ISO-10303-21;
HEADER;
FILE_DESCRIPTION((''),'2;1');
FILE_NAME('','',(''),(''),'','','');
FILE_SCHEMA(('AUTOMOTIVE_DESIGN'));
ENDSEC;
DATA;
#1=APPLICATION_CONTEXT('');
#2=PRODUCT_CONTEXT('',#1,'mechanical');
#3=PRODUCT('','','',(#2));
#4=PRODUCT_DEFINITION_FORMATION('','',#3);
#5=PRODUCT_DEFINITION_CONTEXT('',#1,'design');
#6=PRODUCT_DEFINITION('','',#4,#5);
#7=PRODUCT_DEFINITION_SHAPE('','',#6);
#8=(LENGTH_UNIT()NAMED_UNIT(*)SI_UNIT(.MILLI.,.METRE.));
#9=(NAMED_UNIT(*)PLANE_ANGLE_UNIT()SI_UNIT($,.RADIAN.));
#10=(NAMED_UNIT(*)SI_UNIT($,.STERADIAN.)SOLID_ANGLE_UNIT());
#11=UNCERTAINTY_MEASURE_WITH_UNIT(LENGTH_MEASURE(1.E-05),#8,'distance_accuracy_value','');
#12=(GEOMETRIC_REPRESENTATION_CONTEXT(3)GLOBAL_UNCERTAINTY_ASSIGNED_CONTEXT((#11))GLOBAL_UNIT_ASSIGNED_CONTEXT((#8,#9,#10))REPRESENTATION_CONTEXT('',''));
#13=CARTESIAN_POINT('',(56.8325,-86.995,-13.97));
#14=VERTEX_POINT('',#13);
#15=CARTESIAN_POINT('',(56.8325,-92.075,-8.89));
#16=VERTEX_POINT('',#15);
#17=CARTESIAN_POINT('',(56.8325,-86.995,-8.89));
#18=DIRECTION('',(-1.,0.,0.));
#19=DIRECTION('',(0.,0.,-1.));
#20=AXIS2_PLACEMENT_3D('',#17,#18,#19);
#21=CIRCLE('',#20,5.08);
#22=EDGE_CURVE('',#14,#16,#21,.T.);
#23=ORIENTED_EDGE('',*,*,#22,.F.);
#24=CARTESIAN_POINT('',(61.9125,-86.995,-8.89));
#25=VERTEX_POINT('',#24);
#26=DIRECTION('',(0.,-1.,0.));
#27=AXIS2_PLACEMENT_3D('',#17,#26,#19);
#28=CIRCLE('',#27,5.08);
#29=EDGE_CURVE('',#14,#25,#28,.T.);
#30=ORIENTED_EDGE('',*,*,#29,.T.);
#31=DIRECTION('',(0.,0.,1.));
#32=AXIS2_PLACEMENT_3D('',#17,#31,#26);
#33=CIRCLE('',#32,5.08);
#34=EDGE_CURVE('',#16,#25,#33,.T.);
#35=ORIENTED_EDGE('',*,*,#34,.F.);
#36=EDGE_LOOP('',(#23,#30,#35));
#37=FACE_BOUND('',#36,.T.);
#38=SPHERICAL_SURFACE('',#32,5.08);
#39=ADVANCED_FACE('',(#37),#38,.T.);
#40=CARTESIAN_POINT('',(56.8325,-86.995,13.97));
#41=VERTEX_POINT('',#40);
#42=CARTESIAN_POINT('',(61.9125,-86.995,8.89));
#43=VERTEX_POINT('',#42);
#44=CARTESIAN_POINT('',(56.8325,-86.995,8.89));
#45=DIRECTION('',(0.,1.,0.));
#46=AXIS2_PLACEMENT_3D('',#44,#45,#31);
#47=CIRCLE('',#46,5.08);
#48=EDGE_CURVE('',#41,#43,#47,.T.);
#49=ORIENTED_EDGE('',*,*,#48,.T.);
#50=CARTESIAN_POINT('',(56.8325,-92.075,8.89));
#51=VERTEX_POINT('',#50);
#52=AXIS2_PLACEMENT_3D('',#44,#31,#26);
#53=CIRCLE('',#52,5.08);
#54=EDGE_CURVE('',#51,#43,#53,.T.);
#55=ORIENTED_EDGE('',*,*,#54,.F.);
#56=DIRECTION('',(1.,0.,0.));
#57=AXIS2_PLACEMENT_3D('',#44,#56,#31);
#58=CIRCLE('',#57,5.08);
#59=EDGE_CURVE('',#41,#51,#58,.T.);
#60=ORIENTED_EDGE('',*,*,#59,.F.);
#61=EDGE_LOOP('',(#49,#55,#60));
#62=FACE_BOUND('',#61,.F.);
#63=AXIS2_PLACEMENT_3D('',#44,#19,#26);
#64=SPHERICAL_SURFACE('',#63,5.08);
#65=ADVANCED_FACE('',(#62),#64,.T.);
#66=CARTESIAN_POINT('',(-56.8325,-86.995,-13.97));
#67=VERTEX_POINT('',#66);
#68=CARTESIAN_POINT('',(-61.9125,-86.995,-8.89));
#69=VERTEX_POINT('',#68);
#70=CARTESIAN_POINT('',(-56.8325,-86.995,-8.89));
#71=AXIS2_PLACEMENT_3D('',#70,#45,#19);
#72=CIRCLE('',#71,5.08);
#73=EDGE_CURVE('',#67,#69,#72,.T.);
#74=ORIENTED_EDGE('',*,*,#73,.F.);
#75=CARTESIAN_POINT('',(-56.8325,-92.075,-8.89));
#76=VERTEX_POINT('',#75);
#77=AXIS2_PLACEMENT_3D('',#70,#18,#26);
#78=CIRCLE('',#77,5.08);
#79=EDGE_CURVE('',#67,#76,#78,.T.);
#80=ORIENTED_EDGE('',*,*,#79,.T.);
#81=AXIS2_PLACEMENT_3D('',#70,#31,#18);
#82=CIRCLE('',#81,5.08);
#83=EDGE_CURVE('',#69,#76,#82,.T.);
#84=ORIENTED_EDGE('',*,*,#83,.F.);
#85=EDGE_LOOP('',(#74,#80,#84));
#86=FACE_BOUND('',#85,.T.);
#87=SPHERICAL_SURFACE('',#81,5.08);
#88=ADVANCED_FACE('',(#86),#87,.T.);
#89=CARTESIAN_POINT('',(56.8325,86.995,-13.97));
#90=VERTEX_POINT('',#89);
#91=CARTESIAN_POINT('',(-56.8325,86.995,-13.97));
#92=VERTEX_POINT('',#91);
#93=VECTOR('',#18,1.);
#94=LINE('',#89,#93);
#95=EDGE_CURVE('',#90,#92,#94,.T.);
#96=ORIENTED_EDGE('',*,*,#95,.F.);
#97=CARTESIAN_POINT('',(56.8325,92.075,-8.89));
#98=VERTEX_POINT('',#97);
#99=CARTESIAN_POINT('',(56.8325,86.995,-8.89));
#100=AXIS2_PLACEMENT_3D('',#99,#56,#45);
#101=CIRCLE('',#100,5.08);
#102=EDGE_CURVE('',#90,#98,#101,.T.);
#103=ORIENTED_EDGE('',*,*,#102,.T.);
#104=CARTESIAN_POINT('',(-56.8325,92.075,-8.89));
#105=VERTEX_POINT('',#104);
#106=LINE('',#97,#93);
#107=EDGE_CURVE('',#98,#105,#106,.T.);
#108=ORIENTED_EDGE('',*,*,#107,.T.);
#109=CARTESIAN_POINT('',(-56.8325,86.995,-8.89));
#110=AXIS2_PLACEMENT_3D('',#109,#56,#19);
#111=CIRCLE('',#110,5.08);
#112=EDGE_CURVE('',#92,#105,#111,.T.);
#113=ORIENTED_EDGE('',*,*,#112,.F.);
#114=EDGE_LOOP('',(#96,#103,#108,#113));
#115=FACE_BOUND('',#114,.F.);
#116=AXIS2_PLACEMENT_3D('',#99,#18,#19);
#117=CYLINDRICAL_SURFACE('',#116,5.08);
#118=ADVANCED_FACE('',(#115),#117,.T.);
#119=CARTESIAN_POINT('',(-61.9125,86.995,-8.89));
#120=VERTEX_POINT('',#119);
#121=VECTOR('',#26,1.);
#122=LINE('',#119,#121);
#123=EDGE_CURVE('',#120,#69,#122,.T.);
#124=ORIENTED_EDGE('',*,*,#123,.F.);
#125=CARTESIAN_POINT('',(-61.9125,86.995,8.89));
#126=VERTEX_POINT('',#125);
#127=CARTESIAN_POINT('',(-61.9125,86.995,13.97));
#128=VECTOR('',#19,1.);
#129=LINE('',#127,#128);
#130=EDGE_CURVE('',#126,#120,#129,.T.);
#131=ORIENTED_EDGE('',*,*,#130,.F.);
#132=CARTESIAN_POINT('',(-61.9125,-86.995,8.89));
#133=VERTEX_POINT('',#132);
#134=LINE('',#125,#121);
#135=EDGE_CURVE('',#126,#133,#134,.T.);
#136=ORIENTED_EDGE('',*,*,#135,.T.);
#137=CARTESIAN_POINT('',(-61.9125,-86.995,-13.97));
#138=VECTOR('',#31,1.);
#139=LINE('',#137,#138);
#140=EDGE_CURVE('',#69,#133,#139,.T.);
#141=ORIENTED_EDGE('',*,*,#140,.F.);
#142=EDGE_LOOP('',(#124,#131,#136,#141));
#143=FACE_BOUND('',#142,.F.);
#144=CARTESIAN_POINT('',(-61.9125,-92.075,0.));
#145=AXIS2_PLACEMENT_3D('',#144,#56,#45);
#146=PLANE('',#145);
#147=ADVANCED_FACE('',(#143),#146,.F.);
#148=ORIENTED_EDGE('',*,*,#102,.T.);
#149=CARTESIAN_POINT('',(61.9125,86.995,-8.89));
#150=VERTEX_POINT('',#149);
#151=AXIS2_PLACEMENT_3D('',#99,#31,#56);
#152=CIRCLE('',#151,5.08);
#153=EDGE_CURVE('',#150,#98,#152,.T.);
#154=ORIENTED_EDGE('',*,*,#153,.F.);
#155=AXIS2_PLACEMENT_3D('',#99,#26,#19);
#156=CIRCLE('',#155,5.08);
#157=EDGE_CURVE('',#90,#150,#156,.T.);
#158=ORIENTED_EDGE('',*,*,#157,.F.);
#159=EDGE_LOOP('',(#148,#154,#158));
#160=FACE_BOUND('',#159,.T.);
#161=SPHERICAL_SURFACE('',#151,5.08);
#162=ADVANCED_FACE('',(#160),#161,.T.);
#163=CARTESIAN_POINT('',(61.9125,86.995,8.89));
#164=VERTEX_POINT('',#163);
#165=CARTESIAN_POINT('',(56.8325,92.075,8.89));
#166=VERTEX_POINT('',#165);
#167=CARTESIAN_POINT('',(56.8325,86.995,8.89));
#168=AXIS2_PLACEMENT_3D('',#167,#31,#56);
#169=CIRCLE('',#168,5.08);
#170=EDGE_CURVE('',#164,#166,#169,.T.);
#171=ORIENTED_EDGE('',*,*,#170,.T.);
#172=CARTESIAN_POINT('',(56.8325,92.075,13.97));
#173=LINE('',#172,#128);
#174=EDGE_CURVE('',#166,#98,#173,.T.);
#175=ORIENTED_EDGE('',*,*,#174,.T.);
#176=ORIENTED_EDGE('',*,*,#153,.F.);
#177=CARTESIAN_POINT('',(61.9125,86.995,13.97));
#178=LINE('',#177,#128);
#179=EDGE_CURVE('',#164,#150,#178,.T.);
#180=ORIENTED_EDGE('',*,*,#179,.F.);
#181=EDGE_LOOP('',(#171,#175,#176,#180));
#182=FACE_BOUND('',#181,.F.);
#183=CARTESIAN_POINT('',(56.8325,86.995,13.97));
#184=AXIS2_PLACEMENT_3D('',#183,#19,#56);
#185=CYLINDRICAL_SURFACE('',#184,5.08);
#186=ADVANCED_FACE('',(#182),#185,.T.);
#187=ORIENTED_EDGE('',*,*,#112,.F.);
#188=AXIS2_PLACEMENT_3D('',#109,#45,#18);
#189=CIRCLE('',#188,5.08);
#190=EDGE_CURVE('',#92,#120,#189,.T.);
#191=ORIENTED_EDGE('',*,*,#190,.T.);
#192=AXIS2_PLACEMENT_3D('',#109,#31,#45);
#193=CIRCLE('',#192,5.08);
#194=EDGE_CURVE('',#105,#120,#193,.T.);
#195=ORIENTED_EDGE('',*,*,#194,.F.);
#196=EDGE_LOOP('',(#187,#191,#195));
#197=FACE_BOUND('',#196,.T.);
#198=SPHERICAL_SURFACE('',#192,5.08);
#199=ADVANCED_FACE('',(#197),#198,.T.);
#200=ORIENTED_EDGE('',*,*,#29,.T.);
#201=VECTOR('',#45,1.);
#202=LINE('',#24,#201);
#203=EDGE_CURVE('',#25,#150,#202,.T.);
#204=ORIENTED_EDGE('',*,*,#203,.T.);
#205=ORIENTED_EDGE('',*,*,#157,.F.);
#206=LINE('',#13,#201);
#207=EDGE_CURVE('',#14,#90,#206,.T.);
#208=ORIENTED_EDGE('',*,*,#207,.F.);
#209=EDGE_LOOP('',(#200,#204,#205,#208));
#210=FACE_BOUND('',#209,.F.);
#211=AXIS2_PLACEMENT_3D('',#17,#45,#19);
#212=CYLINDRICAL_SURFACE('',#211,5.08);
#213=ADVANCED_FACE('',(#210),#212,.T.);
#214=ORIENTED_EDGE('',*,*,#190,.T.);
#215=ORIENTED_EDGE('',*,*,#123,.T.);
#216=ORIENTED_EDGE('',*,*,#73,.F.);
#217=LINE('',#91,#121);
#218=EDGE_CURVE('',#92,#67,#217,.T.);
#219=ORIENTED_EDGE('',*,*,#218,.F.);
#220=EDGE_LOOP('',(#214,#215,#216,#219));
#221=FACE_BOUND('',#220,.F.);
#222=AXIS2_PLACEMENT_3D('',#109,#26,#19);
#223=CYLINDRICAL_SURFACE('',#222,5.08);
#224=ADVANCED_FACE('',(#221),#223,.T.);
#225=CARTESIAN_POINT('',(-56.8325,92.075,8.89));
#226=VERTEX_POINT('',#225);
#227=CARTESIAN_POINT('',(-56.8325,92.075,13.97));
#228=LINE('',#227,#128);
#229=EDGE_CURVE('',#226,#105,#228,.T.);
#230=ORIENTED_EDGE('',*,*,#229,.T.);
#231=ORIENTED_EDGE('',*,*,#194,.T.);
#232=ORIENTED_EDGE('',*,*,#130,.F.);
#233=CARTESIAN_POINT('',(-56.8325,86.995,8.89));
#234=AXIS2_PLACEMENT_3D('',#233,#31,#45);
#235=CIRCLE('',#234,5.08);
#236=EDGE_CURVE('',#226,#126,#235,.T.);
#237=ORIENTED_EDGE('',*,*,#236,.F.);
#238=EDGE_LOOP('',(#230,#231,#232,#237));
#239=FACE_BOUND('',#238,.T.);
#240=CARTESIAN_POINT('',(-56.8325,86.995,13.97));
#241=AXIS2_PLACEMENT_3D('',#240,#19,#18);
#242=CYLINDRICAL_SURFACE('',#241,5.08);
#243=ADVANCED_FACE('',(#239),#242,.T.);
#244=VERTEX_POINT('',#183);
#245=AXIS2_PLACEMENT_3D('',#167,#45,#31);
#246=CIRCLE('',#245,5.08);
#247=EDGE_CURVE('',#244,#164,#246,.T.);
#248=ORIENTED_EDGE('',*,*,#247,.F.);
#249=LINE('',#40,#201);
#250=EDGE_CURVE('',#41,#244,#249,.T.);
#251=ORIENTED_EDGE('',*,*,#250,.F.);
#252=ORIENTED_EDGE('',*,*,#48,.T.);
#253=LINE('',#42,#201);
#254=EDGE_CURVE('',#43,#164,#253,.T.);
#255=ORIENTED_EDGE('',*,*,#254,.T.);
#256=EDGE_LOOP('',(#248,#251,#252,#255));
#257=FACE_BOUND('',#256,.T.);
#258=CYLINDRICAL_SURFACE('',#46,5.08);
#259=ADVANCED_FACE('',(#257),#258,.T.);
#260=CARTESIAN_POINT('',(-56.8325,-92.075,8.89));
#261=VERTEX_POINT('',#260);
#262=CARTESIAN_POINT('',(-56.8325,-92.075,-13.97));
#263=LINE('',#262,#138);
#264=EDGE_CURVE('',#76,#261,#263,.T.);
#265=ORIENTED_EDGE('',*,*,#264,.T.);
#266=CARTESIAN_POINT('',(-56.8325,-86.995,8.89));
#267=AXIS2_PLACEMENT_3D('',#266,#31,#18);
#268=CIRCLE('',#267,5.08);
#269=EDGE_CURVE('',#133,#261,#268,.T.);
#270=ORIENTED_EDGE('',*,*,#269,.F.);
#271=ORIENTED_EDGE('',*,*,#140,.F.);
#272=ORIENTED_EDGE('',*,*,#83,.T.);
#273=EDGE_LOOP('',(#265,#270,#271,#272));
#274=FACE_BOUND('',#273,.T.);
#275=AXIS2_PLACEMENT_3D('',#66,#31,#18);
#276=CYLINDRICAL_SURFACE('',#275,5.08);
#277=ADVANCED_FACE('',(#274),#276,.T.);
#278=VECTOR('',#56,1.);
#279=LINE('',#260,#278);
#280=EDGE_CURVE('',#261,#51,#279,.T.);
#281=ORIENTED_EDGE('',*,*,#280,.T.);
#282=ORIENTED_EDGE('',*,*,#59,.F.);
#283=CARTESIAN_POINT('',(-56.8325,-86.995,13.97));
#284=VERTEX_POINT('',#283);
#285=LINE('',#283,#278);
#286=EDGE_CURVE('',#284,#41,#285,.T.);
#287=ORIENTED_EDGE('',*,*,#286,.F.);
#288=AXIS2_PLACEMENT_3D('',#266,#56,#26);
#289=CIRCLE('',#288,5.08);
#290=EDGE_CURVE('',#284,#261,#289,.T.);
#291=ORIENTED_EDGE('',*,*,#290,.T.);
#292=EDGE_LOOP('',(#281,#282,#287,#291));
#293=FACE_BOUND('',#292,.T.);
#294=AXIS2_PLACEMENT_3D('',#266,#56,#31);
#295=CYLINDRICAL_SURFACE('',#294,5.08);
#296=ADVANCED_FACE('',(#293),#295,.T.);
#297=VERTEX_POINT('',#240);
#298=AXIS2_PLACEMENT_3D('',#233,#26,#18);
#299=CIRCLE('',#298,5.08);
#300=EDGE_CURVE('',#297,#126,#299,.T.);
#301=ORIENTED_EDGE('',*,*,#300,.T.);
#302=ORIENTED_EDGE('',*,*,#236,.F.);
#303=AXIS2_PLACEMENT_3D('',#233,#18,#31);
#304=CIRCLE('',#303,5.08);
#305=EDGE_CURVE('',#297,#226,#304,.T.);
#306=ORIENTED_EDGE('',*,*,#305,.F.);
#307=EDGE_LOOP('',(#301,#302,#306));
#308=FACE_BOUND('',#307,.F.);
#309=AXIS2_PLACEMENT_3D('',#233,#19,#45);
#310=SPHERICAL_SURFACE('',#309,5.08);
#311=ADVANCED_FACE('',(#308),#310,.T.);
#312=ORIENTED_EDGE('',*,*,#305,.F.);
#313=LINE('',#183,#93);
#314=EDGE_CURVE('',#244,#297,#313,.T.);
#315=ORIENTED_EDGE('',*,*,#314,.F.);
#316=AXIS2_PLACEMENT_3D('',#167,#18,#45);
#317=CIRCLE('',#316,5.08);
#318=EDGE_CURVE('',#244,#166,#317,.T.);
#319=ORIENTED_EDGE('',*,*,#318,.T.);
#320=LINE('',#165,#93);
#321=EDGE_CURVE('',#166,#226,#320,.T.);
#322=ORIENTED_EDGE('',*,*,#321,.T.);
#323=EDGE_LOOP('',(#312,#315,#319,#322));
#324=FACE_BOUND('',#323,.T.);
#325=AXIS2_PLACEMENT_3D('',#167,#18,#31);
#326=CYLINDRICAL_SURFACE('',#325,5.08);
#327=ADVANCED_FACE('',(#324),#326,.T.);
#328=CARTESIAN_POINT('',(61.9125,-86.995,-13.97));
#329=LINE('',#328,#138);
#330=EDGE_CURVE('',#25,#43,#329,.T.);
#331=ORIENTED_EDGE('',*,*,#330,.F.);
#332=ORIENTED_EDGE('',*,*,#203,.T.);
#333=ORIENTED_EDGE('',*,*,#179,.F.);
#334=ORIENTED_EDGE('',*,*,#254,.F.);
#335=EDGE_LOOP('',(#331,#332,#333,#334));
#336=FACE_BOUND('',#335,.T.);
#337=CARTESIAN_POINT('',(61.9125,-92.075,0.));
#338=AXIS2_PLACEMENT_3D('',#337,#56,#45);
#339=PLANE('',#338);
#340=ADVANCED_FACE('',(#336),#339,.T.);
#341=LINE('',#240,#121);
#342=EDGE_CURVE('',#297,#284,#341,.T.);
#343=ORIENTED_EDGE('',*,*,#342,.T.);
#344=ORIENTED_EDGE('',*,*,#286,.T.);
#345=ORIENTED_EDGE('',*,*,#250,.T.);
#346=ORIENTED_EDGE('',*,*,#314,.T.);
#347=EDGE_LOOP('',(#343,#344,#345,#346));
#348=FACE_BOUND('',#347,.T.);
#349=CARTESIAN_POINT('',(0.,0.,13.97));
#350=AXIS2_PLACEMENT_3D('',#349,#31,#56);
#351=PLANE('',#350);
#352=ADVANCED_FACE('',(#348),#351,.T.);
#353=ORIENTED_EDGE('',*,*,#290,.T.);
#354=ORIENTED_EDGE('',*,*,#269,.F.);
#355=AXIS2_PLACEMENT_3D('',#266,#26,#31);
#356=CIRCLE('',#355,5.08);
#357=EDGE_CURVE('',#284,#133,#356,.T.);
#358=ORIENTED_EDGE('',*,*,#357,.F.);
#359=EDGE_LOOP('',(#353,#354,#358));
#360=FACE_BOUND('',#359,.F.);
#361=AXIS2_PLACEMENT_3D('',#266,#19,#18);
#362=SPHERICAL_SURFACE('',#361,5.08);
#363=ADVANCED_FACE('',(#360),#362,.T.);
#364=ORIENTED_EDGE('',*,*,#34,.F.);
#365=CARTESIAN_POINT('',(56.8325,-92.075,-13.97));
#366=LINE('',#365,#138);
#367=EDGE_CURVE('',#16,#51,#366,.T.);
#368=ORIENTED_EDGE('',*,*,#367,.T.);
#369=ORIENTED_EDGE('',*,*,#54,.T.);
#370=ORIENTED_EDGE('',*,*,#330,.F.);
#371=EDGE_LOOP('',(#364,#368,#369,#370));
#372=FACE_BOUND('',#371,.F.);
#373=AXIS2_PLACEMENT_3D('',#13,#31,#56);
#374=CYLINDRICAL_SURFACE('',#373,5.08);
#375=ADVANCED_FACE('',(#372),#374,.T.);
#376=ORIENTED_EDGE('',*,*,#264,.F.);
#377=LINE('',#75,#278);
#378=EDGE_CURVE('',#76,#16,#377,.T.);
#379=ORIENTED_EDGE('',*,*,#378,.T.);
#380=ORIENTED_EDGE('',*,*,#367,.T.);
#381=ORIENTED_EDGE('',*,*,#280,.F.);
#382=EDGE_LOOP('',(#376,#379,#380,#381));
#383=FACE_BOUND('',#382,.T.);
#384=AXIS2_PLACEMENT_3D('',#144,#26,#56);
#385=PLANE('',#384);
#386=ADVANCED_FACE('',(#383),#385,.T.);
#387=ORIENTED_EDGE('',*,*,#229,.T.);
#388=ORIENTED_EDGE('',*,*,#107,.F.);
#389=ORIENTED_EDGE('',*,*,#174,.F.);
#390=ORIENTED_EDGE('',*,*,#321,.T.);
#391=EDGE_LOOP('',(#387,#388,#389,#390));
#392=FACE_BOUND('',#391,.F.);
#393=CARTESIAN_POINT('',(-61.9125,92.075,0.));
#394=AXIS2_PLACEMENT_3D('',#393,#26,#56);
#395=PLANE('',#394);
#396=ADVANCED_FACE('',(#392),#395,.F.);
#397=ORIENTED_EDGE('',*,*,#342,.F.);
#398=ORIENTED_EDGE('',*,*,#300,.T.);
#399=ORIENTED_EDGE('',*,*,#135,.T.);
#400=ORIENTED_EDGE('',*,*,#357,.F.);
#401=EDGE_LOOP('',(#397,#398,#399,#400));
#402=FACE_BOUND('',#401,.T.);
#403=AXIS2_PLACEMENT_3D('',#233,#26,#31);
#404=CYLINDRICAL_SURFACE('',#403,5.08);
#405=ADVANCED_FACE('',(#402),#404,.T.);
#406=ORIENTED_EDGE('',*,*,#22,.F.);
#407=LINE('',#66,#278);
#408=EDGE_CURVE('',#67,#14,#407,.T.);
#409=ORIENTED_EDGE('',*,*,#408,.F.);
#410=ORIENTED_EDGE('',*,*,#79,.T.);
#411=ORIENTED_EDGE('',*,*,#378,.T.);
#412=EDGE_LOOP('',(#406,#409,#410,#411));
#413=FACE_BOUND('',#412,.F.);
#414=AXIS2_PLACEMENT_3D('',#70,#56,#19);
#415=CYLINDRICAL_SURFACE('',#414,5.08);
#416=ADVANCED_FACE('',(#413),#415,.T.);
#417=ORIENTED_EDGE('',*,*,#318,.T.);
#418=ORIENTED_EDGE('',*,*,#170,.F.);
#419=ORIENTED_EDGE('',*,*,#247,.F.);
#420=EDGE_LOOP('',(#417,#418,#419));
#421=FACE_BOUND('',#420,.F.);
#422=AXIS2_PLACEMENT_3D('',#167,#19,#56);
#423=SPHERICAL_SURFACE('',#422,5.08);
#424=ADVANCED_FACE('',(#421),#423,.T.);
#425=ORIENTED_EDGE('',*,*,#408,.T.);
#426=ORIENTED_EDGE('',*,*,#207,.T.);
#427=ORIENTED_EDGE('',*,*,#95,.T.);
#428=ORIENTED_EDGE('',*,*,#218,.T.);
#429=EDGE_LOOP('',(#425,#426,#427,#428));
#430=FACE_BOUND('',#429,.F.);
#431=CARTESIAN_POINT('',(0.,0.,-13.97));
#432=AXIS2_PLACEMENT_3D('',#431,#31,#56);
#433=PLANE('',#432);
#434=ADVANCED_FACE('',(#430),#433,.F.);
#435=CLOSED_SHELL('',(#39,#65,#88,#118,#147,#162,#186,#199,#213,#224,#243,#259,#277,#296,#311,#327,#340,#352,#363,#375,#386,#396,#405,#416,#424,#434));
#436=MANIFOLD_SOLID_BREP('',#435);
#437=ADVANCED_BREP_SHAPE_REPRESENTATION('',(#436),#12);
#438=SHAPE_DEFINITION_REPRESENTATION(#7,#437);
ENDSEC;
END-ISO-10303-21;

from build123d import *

# Parameters (mm, degrees)
F0_W     = 123.825
F0_H     = 184.15
F1_DEPTH = 13.97
F2_R     = 5.08
F3_R     = 5.08


with BuildPart() as f1:
    # F0 (on Top) → F1 (new body, symmetric)
    with BuildSketch(Plane.XY):
        Rectangle(F0_W, F0_H)
    extrude(amount=F1_DEPTH, both=True)

    # F2
    f2_edges = [f1.edges().sort_by_distance(p)[0] for p in [
        (-61.9125, -92.075, 0),
        (61.9125, -92.075, 0),
        (61.9125, 92.075, 0),
        (-61.9125, 92.075, 0),
    ]]
    fillet(f2_edges, radius=F2_R)

    # F3
    f3_edges = [f1.edges().sort_by_distance(p)[0] for p in [
        (61.9125, 0, 13.97),
        (61.9125, 0, -13.97),
    ]]
    fillet(f3_edges, radius=F3_R)


solid = f1.part
